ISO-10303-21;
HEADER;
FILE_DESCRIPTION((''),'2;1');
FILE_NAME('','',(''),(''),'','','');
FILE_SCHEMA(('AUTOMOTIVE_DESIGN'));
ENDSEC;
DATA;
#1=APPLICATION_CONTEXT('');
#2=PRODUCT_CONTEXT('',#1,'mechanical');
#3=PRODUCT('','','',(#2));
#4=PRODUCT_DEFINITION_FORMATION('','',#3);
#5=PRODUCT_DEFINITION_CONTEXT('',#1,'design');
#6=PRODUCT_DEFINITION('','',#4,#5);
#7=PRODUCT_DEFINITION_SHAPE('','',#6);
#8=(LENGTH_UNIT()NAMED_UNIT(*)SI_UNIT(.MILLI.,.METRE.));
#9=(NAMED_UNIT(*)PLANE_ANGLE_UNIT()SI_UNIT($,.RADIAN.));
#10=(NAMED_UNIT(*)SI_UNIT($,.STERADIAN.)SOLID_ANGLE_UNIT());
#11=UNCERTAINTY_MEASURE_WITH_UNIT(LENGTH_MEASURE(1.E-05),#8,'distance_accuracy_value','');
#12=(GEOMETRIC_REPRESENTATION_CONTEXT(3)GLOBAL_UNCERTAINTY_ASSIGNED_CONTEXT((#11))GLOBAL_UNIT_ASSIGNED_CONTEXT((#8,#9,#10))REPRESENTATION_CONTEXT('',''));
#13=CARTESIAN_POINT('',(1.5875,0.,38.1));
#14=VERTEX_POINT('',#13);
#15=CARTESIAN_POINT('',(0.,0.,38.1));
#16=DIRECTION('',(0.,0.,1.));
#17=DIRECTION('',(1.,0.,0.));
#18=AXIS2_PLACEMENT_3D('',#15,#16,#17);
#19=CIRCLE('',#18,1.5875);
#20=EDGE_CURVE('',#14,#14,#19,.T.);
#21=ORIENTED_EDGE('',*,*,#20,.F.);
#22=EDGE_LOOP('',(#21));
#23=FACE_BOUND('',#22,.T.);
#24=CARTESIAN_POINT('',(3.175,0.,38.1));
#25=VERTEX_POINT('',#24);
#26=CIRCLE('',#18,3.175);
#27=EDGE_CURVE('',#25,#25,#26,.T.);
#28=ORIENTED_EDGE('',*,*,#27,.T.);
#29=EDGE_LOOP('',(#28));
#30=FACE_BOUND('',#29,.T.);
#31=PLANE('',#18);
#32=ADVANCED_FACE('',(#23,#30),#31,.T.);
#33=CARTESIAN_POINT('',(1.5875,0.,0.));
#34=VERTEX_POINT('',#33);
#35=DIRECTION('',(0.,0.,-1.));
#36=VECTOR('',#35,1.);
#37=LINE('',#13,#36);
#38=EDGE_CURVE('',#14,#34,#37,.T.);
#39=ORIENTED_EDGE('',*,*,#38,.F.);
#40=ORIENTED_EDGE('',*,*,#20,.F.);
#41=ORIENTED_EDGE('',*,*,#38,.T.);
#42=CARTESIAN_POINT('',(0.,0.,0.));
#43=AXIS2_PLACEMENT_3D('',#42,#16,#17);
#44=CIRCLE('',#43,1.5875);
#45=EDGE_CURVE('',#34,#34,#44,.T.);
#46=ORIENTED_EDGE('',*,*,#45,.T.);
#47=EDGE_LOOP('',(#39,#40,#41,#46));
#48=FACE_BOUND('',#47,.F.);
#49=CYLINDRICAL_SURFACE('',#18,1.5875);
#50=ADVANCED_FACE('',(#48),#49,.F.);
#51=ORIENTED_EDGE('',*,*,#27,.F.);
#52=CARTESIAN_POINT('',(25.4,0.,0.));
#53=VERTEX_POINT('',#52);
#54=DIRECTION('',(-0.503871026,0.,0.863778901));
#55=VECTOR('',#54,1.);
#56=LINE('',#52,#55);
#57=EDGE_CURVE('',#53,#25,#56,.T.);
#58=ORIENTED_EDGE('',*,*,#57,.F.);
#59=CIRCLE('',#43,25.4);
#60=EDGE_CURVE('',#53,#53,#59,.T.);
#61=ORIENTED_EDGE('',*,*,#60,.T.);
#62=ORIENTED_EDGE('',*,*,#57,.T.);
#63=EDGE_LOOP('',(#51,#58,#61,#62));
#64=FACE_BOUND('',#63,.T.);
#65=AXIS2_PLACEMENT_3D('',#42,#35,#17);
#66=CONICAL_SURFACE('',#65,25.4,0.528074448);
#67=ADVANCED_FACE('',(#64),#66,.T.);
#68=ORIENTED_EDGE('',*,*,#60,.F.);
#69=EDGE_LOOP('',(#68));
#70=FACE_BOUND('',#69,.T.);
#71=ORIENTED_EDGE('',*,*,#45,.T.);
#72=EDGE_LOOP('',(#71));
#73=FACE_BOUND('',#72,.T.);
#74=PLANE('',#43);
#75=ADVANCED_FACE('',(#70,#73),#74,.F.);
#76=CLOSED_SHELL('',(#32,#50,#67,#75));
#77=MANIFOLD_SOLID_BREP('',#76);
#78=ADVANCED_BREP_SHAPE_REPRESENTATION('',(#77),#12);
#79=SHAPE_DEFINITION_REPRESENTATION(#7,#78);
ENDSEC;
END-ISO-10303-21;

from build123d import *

# Parameters (mm, degrees)
F2_R     = 1.5875
F3_DEPTH = 38.1


with BuildPart() as f1:
    # F0 (on Front) → F1 (revolve)
    with BuildSketch(Plane.XZ):
        Polygon((0, 38.1), (0, 0), (25.4, 0), (3.175, 38.1), align=None)
    revolve(axis=Axis((0, 0, 19.05), (0, 0, 1)))

    # F2 (on face) → F3 (cut)
    with BuildSketch(Plane.XY.offset(38.1)):
        Circle(F2_R)
    extrude(amount=-F3_DEPTH, mode=Mode.SUBTRACT)


solid = f1.part
